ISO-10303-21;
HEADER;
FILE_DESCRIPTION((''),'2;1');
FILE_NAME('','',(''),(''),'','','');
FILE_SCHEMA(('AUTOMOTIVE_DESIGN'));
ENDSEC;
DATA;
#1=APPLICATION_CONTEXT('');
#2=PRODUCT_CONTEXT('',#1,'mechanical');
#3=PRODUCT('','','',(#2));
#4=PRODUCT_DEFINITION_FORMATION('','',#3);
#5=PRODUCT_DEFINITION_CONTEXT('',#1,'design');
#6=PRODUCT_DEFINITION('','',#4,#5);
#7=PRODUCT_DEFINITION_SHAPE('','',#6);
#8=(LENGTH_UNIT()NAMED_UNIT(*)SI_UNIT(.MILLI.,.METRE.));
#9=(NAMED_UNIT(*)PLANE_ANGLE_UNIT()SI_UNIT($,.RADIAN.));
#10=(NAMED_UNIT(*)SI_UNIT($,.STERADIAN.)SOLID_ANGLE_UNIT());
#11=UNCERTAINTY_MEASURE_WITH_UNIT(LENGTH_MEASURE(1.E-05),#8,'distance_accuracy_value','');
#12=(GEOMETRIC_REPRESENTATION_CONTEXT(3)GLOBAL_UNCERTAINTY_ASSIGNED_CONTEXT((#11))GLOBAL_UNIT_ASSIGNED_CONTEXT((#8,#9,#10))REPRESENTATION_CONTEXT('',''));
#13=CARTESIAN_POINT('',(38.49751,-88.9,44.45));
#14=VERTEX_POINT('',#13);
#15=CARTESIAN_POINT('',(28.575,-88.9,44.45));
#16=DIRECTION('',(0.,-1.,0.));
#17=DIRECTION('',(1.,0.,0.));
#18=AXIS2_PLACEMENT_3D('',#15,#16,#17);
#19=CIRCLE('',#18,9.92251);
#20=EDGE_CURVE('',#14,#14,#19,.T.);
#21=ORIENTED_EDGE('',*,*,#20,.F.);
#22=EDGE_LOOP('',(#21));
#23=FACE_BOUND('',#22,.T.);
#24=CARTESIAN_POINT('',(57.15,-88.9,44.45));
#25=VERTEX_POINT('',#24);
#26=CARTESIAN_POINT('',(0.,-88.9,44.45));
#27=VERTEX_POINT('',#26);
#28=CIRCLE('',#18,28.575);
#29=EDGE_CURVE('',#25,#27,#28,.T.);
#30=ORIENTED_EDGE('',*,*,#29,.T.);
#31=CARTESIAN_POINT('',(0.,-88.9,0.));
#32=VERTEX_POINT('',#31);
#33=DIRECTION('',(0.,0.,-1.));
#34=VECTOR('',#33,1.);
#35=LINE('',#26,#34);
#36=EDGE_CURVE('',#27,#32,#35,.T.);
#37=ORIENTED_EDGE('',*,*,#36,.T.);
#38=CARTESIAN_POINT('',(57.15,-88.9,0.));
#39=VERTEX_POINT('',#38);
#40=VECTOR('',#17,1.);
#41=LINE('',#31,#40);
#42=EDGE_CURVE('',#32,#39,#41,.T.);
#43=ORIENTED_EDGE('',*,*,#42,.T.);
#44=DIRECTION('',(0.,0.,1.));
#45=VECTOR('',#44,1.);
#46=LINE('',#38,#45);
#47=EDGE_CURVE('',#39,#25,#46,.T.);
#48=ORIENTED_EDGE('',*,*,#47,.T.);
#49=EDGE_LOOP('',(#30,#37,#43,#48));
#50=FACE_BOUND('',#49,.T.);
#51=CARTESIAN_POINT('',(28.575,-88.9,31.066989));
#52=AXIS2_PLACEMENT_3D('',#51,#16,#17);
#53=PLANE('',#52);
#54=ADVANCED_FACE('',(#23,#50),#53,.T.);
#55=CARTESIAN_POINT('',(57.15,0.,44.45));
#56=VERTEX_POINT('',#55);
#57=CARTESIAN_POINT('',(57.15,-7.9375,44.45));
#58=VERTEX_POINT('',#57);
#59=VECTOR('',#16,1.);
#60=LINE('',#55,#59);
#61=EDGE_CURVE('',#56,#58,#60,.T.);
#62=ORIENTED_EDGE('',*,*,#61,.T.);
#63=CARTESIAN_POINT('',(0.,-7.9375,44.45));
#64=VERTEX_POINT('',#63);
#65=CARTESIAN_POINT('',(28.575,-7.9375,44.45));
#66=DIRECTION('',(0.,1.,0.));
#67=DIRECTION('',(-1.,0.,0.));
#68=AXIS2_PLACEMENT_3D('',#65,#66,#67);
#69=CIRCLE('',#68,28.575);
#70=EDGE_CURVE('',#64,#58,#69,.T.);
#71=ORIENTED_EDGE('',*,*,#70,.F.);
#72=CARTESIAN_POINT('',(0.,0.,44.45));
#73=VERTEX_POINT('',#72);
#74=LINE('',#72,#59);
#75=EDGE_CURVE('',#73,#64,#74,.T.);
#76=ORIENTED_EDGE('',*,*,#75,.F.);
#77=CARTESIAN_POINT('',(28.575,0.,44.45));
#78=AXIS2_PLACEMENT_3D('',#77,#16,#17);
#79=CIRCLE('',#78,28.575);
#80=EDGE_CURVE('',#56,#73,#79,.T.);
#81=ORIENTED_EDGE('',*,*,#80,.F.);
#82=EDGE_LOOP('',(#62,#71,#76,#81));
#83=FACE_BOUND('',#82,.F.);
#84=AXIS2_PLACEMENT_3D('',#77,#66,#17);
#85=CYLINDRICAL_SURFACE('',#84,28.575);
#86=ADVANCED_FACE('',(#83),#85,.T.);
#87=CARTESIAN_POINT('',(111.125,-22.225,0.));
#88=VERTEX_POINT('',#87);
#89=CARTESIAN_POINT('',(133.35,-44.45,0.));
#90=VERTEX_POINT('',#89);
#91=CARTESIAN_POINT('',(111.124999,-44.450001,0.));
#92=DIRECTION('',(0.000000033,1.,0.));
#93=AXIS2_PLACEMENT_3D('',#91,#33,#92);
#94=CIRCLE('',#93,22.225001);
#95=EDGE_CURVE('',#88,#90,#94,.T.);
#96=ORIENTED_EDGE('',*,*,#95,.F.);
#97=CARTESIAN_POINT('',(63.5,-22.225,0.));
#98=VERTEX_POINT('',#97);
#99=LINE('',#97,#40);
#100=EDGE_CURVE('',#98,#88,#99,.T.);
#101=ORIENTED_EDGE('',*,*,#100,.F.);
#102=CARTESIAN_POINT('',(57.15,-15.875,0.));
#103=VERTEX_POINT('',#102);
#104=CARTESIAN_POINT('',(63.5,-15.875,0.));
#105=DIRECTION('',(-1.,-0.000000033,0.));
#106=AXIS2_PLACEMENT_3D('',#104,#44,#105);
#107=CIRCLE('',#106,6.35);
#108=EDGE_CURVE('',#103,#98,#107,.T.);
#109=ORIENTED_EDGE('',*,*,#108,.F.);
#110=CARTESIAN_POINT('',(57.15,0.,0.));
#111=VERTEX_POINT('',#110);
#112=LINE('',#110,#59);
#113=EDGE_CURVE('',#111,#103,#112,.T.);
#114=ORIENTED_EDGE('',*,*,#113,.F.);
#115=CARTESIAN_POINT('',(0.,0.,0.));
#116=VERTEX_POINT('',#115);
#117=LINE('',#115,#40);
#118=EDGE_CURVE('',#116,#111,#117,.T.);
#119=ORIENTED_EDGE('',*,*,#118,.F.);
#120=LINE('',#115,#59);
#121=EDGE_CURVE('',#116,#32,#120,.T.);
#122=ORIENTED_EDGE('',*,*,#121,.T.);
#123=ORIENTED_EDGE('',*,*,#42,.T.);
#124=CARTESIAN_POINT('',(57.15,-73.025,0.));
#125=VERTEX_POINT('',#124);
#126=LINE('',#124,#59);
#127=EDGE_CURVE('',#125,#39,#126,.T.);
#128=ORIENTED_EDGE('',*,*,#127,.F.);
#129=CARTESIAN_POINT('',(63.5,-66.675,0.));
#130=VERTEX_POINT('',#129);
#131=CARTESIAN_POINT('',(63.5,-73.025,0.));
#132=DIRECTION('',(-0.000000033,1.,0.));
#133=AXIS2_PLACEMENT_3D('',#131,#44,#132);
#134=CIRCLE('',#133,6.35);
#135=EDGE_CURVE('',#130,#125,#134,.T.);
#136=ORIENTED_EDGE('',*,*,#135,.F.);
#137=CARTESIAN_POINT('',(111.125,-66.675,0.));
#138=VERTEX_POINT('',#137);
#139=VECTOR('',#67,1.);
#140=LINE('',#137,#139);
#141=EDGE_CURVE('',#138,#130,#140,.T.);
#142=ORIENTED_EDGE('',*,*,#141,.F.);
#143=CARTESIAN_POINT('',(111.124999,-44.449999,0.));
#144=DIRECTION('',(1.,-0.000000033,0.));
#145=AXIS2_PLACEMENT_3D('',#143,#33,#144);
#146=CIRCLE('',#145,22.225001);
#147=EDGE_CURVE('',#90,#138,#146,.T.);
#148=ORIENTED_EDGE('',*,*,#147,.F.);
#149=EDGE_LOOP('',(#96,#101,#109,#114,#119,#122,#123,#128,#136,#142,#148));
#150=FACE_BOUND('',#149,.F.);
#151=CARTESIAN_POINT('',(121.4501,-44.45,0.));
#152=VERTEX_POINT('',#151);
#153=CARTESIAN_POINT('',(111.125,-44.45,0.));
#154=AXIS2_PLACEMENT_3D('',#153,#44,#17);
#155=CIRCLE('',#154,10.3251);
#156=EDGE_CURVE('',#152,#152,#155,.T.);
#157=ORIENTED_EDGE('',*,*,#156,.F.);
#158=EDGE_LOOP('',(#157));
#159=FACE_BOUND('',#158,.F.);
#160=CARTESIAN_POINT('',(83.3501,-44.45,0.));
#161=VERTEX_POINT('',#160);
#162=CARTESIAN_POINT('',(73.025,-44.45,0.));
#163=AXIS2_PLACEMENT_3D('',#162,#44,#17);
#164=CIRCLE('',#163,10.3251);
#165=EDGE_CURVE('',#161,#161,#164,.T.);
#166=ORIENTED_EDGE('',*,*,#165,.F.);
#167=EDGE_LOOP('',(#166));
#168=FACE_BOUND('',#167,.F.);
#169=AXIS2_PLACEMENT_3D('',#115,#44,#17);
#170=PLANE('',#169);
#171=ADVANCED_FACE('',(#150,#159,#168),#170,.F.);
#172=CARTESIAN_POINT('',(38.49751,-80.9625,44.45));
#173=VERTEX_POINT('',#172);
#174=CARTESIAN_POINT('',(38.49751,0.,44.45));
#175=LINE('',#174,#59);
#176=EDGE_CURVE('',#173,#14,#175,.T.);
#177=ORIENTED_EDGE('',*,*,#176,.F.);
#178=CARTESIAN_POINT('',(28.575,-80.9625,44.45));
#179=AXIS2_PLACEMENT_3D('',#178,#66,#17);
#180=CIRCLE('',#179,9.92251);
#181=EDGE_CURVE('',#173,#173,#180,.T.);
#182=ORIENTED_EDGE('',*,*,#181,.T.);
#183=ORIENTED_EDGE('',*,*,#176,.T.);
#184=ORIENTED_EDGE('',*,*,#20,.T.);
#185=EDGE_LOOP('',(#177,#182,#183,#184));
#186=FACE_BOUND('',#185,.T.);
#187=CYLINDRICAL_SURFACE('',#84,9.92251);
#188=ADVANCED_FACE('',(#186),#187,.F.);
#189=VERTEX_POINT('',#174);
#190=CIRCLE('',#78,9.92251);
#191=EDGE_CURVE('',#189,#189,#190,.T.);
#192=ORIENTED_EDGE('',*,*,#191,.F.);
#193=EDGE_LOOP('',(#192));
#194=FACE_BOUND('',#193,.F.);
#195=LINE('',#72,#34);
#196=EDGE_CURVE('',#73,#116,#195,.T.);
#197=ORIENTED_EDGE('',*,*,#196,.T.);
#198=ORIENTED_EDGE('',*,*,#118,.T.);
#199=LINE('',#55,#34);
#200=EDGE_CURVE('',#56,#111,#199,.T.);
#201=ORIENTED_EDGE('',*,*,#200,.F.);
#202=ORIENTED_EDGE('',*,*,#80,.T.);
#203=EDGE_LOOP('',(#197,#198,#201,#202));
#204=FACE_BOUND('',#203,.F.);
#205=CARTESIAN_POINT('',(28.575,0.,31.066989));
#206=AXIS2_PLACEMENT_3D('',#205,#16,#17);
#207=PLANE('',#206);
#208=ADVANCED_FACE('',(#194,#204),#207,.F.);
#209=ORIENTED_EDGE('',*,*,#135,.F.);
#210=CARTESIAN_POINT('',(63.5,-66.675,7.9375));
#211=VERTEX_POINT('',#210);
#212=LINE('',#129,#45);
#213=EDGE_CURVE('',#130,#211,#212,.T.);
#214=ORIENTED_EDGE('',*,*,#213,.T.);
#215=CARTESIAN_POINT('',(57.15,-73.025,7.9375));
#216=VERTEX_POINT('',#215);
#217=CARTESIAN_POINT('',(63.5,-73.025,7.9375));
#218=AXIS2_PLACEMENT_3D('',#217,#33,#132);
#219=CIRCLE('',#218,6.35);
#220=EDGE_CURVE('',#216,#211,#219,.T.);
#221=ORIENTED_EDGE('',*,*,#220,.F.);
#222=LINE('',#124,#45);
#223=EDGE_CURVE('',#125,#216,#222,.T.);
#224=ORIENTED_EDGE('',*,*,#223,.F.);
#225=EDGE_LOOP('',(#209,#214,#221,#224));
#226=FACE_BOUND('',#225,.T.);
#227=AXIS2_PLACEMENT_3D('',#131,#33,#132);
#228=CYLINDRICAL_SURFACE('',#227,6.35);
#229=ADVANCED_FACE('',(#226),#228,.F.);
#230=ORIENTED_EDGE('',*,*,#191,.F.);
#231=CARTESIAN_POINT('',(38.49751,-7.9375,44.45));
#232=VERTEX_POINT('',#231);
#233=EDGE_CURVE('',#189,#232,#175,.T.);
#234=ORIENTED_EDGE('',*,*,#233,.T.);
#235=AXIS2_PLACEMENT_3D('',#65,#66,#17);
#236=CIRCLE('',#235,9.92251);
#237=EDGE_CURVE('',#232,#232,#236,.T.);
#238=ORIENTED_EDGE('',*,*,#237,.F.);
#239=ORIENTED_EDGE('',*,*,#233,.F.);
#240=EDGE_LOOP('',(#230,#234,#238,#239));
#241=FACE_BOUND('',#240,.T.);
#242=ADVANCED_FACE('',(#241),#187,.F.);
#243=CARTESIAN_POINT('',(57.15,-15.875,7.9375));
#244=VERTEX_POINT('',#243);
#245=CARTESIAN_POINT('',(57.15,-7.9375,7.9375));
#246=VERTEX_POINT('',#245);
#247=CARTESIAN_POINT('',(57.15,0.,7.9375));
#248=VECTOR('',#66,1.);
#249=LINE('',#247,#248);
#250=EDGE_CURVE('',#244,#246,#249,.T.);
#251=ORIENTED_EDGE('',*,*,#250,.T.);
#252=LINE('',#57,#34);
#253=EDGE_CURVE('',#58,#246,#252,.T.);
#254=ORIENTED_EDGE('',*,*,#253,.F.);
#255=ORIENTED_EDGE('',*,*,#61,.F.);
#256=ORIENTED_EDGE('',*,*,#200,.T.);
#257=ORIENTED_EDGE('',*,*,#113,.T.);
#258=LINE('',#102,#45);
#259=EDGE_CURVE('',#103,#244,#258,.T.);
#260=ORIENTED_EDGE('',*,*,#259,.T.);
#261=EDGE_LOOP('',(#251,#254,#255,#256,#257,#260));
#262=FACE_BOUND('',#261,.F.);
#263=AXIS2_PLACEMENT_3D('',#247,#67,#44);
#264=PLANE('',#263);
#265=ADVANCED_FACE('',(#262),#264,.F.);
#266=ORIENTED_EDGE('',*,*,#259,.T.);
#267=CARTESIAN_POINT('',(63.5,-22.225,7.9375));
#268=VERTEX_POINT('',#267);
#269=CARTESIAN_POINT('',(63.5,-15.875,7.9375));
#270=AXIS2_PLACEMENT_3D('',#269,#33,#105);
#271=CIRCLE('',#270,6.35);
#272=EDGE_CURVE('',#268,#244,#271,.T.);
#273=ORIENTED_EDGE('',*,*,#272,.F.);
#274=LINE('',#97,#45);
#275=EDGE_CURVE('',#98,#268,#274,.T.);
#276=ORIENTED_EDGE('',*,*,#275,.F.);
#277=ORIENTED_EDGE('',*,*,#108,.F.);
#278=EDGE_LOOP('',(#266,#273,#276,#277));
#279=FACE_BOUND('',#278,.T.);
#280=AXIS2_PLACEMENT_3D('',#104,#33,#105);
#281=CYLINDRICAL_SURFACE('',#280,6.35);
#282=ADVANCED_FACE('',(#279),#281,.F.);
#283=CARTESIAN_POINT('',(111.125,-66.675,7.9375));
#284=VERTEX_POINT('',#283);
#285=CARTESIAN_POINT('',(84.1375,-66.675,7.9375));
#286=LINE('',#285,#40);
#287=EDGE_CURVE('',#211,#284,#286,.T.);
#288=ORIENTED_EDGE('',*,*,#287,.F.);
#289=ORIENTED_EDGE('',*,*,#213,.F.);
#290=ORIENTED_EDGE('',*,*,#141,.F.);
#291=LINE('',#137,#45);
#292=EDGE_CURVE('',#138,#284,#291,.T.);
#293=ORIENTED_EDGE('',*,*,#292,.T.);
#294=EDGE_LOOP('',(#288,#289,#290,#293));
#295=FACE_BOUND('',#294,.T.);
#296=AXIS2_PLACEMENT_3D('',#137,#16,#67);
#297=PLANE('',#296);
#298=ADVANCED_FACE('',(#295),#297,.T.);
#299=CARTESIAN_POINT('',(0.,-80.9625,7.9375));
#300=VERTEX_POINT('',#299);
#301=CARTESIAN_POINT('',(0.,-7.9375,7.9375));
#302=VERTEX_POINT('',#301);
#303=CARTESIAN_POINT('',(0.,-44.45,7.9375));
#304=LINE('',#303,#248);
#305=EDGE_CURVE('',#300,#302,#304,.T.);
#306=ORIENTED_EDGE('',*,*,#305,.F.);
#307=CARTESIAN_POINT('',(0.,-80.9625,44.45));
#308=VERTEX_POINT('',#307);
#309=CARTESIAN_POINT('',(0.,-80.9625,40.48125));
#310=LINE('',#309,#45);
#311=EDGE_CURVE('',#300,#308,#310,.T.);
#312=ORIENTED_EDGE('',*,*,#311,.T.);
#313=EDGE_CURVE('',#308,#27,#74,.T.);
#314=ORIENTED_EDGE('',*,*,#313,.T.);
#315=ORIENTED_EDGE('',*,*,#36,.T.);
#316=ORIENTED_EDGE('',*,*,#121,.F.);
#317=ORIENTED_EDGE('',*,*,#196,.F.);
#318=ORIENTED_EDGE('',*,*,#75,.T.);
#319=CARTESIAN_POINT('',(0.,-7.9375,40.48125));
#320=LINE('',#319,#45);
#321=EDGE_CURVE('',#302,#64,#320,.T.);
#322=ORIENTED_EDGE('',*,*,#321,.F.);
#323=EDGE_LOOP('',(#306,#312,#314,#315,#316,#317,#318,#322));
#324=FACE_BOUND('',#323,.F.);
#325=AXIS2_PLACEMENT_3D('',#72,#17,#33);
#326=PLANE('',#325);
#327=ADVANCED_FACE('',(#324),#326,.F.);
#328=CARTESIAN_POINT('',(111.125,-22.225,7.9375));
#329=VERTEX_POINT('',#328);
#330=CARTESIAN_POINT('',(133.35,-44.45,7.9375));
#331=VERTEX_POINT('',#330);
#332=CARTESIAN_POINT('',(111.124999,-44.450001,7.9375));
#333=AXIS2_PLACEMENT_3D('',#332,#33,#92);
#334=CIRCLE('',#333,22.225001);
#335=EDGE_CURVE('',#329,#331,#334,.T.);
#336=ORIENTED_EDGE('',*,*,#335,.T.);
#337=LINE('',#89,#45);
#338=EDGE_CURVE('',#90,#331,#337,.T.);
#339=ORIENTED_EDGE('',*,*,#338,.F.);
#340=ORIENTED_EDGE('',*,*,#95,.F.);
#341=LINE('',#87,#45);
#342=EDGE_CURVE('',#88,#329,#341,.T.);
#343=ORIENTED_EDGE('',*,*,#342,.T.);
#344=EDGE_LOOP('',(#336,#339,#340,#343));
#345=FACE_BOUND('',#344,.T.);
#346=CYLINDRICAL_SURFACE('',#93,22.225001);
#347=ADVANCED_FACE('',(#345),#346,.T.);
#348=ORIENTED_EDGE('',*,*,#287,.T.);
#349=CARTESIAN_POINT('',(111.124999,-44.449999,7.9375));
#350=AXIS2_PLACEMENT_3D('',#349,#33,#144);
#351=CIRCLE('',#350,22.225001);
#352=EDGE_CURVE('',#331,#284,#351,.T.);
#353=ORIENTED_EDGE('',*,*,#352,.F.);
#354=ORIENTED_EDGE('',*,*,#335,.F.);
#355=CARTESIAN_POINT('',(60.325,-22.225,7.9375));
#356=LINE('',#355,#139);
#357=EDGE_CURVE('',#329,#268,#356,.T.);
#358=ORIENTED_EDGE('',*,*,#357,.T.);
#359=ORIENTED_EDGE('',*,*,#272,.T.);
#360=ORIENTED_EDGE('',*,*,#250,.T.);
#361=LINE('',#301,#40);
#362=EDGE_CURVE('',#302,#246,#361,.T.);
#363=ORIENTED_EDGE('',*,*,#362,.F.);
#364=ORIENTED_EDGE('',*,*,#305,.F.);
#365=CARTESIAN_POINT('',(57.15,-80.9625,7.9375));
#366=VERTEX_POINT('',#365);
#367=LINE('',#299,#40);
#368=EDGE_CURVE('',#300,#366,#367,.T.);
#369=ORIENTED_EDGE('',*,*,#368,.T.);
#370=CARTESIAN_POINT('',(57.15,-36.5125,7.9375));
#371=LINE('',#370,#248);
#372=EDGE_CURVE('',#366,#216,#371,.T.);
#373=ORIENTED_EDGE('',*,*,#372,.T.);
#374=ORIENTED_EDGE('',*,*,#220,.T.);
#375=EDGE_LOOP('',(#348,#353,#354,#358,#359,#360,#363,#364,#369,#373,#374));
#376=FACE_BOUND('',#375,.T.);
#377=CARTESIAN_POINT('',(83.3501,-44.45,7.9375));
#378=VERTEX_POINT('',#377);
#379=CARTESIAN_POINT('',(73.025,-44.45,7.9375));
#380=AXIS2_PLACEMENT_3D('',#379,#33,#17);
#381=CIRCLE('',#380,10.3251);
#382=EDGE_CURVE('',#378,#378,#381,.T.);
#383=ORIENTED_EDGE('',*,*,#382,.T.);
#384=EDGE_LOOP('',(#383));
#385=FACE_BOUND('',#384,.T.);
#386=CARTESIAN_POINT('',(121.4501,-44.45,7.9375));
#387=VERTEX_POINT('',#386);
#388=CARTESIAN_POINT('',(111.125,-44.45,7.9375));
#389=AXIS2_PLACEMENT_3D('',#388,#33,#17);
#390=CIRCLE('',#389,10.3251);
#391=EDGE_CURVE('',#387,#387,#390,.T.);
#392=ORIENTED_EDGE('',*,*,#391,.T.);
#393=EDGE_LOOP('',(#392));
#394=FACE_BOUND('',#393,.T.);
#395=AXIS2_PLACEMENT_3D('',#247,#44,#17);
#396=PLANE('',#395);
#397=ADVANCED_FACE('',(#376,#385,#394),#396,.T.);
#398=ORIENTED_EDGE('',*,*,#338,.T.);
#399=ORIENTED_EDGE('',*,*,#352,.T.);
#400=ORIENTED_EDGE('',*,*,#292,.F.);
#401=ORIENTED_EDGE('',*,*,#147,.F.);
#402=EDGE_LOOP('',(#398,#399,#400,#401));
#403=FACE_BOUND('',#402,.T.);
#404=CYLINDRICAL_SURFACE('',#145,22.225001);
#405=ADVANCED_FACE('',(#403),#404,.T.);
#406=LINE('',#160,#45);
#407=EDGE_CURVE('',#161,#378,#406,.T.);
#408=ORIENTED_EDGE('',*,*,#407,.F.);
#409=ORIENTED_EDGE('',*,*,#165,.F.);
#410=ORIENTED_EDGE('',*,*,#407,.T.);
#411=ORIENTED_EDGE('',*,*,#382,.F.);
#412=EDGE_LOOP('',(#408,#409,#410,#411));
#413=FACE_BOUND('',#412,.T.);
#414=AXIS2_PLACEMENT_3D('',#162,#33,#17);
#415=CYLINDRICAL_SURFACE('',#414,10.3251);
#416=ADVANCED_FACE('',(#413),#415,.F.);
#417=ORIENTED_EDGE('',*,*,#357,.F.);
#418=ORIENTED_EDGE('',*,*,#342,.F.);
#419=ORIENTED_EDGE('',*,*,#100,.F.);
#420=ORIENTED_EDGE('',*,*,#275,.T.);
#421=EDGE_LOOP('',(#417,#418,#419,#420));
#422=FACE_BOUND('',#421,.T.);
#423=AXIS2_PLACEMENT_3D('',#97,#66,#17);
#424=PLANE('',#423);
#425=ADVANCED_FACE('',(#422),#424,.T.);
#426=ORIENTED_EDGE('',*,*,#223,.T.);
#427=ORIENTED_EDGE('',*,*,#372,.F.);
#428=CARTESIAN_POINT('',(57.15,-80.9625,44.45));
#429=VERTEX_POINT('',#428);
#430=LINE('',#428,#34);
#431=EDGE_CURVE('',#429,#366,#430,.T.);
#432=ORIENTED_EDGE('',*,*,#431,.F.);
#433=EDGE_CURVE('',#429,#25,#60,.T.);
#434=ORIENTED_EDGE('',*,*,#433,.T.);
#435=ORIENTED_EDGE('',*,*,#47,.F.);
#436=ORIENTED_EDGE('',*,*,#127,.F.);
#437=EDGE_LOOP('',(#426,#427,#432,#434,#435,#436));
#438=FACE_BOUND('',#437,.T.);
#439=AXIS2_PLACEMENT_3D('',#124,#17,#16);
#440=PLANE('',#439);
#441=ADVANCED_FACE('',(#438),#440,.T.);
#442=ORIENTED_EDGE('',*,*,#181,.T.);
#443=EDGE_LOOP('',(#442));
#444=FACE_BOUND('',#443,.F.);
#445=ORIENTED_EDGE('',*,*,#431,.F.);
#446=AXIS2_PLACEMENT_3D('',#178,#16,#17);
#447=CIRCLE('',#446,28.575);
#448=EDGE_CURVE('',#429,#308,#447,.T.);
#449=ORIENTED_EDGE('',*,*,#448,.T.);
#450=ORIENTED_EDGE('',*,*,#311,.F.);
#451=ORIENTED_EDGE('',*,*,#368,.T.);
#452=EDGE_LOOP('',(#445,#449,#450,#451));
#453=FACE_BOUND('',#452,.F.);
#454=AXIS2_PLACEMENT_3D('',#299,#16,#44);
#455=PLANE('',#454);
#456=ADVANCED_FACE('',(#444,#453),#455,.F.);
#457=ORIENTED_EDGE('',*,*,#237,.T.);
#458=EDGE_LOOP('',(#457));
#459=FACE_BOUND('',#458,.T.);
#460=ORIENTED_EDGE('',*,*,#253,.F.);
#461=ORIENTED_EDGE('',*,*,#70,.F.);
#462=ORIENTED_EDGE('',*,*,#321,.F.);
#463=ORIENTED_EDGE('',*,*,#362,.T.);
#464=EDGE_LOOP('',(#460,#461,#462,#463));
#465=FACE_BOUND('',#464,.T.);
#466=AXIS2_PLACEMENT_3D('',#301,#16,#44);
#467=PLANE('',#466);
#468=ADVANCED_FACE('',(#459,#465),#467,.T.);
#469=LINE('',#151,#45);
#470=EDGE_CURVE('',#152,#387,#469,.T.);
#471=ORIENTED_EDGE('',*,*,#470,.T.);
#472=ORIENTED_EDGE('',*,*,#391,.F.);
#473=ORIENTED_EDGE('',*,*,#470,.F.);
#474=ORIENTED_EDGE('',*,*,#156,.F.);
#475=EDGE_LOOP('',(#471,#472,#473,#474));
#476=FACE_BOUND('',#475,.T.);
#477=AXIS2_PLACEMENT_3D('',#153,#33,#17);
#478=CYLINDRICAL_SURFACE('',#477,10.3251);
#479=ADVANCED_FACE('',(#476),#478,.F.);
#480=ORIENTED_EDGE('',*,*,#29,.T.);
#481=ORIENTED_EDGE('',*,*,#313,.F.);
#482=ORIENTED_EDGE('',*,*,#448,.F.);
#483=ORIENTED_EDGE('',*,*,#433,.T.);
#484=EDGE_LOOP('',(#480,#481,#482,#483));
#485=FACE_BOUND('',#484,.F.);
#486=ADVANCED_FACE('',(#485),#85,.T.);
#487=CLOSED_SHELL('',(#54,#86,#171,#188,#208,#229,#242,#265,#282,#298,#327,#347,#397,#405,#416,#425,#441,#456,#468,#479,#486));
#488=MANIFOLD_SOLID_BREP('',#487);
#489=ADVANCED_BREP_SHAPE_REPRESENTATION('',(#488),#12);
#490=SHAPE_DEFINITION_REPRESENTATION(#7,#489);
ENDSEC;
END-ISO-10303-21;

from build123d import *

# Parameters (mm, degrees)
F0_R     = 9.92251
F0_W     = 76.2
F0_H     = 7.9375
F1_DEPTH = 88.9
F2_W     = 73.025
F2_H     = 65.0875
F3_DEPTH = 63.5
F4_R     = 10.3251
F5_DEPTH = 25.4


with BuildPart() as f1:
    # F0 (on Front) → F1 (new body)
    with BuildSketch(Plane.XZ):
        with BuildLine():
            ThreePointArc((57.15, 44.45), (28.575, 73.025), (0, 44.45))
            Line((0, 44.45), (0, 0))
            Line((0, 0), (57.15, 0))
            Line((57.15, 0), (57.15, 7.9375))
            Line((57.15, 7.9375), (57.15, 44.45))
        make_face()
        with Locations((28.575, 44.45)):
            Circle(F0_R, mode=Mode.SUBTRACT)
        with Locations((95.25, 3.96875)):
            Rectangle(F0_W, F0_H)
    extrude(amount=F1_DEPTH)

    # F2 (on Right) → F3 (cut)
    with BuildSketch(Plane.YZ):
        with Locations((-44.45, 40.48125)):
            Rectangle(F2_W, F2_H)
    extrude(amount=F3_DEPTH, mode=Mode.SUBTRACT)

    # F4 (on Top) → F5 (cut)
    with BuildSketch(Plane.XY):
        with Locations((73.025, -44.45)):
            Circle(F4_R)
        with Locations((111.125, -44.45)):
            Circle(F4_R)
        with BuildLine():
            Line((57.15, -88.9), (133.35, -88.9))
            Line((133.35, -88.9), (133.35, -44.45))
            ThreePointArc((133.35, -44.45), (126.840448, -60.165448), (111.125, -66.675))
            Line((111.125, -66.675), (63.5, -66.675))
            ThreePointArc((63.5, -66.675), (59.009872, -68.534872), (57.15, -73.025))
            Line((57.15, -73.025), (57.15, -88.9))
        make_face()
        with BuildLine():
            ThreePointArc((111.125, -22.225), (126.840448, -28.734552), (133.35, -44.45))
            Line((133.35, -44.45), (133.35, 0))
            Line((133.35, 0), (57.15, 0))
            Line((57.15, 0), (57.15, -15.875))
            ThreePointArc((57.15, -15.875), (59.009872, -20.365128), (63.5, -22.225))
            Line((63.5, -22.225), (111.125, -22.225))
        make_face()
    extrude(amount=F5_DEPTH, mode=Mode.SUBTRACT)


solid = f1.part
